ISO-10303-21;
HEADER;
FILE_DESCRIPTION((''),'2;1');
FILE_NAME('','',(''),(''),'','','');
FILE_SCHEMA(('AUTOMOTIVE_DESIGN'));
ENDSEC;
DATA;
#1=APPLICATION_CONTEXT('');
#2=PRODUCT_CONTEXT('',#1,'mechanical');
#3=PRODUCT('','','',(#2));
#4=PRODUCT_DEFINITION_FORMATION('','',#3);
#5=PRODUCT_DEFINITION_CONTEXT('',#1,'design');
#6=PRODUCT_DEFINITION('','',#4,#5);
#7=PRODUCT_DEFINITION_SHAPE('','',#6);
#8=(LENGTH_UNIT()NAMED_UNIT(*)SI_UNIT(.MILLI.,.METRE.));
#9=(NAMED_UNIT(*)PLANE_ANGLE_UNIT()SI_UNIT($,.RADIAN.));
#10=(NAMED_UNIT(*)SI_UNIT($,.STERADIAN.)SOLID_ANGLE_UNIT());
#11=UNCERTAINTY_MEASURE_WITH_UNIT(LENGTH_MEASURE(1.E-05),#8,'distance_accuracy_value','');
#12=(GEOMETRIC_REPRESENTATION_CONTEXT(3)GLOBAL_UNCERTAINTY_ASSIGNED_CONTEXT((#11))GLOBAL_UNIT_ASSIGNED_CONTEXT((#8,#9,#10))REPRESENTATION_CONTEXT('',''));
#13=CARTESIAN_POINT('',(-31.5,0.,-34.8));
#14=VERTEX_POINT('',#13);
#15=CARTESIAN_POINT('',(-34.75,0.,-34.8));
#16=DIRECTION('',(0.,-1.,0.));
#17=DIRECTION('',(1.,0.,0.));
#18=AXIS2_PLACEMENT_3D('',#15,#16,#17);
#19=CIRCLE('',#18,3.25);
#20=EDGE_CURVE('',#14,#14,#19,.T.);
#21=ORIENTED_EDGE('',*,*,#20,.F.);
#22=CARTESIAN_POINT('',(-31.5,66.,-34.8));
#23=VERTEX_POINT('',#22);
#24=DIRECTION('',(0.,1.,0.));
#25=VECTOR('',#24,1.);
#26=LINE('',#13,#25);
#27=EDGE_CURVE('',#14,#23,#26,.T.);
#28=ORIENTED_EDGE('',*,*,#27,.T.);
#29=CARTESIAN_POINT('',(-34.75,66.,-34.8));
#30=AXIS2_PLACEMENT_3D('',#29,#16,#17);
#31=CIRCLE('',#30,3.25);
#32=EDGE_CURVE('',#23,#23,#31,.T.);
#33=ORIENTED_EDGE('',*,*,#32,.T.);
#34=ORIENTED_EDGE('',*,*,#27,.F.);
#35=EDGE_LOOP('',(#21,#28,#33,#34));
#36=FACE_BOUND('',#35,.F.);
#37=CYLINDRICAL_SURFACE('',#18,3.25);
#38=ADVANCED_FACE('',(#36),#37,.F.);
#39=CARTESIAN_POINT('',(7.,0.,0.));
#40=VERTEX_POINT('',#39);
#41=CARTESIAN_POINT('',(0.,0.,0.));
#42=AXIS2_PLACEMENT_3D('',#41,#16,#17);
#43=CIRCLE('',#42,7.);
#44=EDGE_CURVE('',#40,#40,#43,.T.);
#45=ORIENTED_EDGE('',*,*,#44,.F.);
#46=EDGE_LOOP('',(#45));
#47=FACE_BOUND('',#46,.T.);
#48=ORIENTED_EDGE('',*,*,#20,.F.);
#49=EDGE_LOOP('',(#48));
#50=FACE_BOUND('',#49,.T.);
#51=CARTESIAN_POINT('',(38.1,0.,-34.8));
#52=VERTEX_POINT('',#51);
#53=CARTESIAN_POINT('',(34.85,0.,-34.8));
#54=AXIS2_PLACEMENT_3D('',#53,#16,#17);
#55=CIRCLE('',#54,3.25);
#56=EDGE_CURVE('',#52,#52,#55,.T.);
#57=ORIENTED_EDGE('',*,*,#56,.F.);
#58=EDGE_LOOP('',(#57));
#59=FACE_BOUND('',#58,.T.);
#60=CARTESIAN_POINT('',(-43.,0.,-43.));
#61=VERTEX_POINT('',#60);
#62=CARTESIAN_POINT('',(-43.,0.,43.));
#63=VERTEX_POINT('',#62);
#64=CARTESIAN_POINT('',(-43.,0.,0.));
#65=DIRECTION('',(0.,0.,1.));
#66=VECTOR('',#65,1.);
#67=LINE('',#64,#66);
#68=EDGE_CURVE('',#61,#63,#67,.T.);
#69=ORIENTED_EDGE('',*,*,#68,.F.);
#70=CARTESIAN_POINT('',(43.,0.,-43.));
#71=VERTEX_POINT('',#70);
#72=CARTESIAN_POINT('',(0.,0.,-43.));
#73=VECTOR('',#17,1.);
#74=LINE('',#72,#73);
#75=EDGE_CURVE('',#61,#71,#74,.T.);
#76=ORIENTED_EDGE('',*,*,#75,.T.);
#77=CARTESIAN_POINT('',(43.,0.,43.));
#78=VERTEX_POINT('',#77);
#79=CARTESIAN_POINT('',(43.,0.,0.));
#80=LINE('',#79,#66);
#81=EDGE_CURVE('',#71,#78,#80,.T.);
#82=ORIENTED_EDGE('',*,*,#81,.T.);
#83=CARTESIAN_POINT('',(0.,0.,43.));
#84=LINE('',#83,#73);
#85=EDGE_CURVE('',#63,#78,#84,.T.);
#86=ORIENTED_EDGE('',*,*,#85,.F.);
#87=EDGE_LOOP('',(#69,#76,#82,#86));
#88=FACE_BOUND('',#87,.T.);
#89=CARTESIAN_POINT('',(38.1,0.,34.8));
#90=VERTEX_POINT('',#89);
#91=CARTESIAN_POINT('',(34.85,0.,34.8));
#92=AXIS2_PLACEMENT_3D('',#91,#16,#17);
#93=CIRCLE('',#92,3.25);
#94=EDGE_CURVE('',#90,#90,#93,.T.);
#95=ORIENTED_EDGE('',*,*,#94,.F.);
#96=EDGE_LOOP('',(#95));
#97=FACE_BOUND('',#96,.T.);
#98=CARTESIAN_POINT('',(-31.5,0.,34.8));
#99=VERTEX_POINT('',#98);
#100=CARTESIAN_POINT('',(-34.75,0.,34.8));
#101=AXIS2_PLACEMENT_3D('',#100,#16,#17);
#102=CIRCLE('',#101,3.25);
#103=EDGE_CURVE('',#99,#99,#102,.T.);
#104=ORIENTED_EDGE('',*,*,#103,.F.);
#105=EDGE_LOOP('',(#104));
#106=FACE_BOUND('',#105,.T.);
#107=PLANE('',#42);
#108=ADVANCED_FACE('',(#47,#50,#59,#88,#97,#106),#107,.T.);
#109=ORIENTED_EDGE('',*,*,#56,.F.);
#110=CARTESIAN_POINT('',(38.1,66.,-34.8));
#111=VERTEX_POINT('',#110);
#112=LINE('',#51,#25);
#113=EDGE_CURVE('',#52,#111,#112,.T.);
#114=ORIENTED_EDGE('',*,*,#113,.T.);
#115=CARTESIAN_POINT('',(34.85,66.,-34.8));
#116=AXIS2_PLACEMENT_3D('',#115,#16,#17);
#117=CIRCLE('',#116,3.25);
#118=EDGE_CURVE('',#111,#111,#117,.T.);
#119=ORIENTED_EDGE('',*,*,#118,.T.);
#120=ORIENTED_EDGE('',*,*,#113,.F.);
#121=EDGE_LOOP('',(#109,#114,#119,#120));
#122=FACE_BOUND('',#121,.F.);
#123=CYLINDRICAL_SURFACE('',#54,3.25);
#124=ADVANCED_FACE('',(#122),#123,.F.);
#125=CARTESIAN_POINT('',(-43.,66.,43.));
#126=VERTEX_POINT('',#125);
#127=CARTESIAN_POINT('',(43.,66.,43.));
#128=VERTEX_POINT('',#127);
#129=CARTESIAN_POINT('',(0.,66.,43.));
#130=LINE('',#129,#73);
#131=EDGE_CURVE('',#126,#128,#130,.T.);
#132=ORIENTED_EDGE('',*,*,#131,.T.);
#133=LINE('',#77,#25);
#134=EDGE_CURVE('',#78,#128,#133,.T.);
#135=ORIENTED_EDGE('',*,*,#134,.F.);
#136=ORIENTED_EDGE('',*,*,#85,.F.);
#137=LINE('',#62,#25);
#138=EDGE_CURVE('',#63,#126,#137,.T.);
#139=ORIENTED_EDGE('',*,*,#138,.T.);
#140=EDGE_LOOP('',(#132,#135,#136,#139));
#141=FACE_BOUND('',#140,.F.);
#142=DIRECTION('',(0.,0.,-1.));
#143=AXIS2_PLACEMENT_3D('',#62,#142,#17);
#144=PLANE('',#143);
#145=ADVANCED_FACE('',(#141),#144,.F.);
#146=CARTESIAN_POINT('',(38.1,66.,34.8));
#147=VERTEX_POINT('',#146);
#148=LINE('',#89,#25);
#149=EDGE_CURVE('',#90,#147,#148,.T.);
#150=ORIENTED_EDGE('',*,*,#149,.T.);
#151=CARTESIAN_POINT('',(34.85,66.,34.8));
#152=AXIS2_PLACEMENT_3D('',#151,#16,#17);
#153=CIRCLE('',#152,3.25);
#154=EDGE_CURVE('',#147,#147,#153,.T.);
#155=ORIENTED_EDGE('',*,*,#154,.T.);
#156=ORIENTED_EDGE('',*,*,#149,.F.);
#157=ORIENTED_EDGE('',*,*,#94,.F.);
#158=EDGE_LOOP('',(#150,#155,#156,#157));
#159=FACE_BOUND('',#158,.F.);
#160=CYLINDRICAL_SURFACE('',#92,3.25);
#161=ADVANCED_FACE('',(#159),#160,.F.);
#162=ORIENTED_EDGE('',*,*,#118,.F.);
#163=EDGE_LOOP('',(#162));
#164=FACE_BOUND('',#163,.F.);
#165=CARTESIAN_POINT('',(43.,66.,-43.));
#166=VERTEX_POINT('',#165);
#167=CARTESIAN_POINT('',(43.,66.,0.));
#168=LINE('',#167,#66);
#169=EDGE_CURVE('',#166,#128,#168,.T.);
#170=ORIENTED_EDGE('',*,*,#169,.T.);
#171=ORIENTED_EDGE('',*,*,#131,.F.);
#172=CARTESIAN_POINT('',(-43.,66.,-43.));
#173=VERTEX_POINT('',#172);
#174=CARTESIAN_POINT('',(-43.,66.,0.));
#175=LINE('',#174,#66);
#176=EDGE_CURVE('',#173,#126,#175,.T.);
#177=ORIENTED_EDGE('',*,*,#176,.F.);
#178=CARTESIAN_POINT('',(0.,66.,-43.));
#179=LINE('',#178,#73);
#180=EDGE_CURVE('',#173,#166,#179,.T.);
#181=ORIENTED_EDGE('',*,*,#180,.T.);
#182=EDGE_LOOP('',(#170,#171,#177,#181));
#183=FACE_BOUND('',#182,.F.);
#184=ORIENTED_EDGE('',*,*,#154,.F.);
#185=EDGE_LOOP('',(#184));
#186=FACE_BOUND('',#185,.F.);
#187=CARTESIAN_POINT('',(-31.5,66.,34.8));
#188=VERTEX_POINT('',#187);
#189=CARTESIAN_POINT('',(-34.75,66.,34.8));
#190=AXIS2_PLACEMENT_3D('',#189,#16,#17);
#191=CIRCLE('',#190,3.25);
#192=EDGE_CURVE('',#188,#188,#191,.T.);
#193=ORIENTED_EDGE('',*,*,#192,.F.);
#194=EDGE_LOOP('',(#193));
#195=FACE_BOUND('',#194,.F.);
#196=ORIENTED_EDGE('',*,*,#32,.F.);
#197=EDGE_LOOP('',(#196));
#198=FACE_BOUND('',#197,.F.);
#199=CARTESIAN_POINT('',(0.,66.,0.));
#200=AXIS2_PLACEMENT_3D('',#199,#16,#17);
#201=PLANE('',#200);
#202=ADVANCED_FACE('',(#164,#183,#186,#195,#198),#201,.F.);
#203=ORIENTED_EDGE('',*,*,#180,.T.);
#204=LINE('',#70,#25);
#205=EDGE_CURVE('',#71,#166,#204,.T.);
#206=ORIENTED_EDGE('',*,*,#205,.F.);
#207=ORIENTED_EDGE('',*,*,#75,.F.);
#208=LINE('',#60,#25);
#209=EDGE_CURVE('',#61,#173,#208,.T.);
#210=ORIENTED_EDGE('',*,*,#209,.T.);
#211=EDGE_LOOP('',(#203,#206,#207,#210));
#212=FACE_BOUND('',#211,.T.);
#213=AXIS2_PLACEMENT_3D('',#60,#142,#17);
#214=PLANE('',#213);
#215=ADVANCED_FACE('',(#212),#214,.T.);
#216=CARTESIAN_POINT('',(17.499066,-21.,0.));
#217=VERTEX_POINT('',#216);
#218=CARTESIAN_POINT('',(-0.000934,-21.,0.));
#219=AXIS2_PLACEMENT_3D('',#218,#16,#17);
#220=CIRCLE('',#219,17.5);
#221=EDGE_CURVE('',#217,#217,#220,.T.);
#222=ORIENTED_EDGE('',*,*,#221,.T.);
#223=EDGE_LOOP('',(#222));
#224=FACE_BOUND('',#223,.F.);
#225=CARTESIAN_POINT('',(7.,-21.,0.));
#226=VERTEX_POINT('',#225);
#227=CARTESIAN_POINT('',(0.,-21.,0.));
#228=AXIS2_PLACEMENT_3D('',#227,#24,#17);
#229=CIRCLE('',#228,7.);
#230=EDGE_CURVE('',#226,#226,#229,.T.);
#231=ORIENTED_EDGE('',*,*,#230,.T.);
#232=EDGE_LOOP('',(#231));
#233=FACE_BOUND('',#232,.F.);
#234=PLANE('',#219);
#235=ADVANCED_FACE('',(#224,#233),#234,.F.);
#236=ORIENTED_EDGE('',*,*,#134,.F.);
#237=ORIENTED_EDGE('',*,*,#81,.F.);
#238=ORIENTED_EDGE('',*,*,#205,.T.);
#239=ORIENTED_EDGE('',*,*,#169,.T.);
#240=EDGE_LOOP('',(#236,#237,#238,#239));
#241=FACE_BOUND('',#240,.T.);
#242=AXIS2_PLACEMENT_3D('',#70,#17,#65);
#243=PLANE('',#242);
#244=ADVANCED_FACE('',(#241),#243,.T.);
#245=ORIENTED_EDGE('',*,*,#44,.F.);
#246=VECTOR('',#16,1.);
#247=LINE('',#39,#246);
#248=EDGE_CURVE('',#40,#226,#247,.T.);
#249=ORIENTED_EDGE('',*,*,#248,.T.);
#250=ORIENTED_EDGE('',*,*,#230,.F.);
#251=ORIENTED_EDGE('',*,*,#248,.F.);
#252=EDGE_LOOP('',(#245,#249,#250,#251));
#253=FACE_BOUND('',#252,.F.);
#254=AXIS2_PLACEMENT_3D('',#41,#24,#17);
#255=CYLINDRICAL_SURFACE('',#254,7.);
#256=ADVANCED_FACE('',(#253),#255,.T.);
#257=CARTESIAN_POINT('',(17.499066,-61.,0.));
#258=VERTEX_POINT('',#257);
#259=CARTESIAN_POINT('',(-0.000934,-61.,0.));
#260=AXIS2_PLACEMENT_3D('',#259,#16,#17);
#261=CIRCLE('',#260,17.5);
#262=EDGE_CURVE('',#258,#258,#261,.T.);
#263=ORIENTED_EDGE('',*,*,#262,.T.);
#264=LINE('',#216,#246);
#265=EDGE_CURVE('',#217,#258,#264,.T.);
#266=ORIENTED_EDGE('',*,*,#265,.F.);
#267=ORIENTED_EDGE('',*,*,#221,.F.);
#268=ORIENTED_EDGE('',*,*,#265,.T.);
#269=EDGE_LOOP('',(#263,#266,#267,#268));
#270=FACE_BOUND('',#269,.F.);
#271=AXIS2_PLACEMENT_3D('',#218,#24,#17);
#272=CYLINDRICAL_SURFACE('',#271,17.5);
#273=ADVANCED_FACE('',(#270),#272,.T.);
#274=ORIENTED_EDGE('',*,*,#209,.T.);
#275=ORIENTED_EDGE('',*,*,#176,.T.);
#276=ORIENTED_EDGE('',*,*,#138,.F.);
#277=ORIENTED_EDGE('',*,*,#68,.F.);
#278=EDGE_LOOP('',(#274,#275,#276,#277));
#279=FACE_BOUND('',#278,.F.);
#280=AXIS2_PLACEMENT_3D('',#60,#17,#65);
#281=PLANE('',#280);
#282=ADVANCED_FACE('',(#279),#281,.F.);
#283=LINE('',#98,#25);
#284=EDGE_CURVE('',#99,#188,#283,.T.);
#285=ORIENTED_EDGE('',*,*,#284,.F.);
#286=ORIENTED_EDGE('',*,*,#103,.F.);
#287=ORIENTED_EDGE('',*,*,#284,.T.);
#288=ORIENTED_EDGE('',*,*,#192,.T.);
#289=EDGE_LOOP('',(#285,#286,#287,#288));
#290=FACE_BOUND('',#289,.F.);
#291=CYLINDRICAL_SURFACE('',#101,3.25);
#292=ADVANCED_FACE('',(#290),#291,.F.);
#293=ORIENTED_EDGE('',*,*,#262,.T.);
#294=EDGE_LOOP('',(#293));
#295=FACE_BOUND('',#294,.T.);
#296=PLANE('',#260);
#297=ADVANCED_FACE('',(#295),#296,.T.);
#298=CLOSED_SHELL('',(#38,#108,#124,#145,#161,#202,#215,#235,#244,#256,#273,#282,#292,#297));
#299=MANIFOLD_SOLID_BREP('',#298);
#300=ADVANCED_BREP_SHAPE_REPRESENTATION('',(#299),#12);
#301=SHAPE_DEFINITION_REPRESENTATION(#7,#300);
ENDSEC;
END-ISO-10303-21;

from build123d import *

# Parameters (mm, degrees)
F0_W     = 86
F0_H     = 86
F0_R     = 3.25
F1_DEPTH = 66
F2_R     = 7
F3_DEPTH = 36
F5_R     = 17.5
F6_DEPTH = 40


with BuildPart() as f1:
    # F0 (on Front) → F1 (new body)
    with BuildSketch(Plane.XZ):
        Rectangle(F0_W, F0_H)
        with Locations((-34.75, -34.8)):
            Circle(F0_R, mode=Mode.SUBTRACT)
        with Locations((34.85, -34.8)):
            Circle(F0_R, mode=Mode.SUBTRACT)
        with Locations((-34.75, 34.8)):
            Circle(F0_R, mode=Mode.SUBTRACT)
        with Locations((34.85, 34.8)):
            Circle(F0_R, mode=Mode.SUBTRACT)
    extrude(amount=-F1_DEPTH)

    # F2 (on face) → F3 (join)
    with BuildSketch(Plane.XZ):
        Circle(F2_R)
    extrude(amount=F3_DEPTH)

    # F5 (on offset) → F6 (join)
    with BuildSketch(Plane(origin=(-0.000934, -21, 0), x_dir=(1, 0, 0), z_dir=(0, -1, 0))):
        Circle(F5_R)
    extrude(amount=F6_DEPTH)


solid = f1.part
